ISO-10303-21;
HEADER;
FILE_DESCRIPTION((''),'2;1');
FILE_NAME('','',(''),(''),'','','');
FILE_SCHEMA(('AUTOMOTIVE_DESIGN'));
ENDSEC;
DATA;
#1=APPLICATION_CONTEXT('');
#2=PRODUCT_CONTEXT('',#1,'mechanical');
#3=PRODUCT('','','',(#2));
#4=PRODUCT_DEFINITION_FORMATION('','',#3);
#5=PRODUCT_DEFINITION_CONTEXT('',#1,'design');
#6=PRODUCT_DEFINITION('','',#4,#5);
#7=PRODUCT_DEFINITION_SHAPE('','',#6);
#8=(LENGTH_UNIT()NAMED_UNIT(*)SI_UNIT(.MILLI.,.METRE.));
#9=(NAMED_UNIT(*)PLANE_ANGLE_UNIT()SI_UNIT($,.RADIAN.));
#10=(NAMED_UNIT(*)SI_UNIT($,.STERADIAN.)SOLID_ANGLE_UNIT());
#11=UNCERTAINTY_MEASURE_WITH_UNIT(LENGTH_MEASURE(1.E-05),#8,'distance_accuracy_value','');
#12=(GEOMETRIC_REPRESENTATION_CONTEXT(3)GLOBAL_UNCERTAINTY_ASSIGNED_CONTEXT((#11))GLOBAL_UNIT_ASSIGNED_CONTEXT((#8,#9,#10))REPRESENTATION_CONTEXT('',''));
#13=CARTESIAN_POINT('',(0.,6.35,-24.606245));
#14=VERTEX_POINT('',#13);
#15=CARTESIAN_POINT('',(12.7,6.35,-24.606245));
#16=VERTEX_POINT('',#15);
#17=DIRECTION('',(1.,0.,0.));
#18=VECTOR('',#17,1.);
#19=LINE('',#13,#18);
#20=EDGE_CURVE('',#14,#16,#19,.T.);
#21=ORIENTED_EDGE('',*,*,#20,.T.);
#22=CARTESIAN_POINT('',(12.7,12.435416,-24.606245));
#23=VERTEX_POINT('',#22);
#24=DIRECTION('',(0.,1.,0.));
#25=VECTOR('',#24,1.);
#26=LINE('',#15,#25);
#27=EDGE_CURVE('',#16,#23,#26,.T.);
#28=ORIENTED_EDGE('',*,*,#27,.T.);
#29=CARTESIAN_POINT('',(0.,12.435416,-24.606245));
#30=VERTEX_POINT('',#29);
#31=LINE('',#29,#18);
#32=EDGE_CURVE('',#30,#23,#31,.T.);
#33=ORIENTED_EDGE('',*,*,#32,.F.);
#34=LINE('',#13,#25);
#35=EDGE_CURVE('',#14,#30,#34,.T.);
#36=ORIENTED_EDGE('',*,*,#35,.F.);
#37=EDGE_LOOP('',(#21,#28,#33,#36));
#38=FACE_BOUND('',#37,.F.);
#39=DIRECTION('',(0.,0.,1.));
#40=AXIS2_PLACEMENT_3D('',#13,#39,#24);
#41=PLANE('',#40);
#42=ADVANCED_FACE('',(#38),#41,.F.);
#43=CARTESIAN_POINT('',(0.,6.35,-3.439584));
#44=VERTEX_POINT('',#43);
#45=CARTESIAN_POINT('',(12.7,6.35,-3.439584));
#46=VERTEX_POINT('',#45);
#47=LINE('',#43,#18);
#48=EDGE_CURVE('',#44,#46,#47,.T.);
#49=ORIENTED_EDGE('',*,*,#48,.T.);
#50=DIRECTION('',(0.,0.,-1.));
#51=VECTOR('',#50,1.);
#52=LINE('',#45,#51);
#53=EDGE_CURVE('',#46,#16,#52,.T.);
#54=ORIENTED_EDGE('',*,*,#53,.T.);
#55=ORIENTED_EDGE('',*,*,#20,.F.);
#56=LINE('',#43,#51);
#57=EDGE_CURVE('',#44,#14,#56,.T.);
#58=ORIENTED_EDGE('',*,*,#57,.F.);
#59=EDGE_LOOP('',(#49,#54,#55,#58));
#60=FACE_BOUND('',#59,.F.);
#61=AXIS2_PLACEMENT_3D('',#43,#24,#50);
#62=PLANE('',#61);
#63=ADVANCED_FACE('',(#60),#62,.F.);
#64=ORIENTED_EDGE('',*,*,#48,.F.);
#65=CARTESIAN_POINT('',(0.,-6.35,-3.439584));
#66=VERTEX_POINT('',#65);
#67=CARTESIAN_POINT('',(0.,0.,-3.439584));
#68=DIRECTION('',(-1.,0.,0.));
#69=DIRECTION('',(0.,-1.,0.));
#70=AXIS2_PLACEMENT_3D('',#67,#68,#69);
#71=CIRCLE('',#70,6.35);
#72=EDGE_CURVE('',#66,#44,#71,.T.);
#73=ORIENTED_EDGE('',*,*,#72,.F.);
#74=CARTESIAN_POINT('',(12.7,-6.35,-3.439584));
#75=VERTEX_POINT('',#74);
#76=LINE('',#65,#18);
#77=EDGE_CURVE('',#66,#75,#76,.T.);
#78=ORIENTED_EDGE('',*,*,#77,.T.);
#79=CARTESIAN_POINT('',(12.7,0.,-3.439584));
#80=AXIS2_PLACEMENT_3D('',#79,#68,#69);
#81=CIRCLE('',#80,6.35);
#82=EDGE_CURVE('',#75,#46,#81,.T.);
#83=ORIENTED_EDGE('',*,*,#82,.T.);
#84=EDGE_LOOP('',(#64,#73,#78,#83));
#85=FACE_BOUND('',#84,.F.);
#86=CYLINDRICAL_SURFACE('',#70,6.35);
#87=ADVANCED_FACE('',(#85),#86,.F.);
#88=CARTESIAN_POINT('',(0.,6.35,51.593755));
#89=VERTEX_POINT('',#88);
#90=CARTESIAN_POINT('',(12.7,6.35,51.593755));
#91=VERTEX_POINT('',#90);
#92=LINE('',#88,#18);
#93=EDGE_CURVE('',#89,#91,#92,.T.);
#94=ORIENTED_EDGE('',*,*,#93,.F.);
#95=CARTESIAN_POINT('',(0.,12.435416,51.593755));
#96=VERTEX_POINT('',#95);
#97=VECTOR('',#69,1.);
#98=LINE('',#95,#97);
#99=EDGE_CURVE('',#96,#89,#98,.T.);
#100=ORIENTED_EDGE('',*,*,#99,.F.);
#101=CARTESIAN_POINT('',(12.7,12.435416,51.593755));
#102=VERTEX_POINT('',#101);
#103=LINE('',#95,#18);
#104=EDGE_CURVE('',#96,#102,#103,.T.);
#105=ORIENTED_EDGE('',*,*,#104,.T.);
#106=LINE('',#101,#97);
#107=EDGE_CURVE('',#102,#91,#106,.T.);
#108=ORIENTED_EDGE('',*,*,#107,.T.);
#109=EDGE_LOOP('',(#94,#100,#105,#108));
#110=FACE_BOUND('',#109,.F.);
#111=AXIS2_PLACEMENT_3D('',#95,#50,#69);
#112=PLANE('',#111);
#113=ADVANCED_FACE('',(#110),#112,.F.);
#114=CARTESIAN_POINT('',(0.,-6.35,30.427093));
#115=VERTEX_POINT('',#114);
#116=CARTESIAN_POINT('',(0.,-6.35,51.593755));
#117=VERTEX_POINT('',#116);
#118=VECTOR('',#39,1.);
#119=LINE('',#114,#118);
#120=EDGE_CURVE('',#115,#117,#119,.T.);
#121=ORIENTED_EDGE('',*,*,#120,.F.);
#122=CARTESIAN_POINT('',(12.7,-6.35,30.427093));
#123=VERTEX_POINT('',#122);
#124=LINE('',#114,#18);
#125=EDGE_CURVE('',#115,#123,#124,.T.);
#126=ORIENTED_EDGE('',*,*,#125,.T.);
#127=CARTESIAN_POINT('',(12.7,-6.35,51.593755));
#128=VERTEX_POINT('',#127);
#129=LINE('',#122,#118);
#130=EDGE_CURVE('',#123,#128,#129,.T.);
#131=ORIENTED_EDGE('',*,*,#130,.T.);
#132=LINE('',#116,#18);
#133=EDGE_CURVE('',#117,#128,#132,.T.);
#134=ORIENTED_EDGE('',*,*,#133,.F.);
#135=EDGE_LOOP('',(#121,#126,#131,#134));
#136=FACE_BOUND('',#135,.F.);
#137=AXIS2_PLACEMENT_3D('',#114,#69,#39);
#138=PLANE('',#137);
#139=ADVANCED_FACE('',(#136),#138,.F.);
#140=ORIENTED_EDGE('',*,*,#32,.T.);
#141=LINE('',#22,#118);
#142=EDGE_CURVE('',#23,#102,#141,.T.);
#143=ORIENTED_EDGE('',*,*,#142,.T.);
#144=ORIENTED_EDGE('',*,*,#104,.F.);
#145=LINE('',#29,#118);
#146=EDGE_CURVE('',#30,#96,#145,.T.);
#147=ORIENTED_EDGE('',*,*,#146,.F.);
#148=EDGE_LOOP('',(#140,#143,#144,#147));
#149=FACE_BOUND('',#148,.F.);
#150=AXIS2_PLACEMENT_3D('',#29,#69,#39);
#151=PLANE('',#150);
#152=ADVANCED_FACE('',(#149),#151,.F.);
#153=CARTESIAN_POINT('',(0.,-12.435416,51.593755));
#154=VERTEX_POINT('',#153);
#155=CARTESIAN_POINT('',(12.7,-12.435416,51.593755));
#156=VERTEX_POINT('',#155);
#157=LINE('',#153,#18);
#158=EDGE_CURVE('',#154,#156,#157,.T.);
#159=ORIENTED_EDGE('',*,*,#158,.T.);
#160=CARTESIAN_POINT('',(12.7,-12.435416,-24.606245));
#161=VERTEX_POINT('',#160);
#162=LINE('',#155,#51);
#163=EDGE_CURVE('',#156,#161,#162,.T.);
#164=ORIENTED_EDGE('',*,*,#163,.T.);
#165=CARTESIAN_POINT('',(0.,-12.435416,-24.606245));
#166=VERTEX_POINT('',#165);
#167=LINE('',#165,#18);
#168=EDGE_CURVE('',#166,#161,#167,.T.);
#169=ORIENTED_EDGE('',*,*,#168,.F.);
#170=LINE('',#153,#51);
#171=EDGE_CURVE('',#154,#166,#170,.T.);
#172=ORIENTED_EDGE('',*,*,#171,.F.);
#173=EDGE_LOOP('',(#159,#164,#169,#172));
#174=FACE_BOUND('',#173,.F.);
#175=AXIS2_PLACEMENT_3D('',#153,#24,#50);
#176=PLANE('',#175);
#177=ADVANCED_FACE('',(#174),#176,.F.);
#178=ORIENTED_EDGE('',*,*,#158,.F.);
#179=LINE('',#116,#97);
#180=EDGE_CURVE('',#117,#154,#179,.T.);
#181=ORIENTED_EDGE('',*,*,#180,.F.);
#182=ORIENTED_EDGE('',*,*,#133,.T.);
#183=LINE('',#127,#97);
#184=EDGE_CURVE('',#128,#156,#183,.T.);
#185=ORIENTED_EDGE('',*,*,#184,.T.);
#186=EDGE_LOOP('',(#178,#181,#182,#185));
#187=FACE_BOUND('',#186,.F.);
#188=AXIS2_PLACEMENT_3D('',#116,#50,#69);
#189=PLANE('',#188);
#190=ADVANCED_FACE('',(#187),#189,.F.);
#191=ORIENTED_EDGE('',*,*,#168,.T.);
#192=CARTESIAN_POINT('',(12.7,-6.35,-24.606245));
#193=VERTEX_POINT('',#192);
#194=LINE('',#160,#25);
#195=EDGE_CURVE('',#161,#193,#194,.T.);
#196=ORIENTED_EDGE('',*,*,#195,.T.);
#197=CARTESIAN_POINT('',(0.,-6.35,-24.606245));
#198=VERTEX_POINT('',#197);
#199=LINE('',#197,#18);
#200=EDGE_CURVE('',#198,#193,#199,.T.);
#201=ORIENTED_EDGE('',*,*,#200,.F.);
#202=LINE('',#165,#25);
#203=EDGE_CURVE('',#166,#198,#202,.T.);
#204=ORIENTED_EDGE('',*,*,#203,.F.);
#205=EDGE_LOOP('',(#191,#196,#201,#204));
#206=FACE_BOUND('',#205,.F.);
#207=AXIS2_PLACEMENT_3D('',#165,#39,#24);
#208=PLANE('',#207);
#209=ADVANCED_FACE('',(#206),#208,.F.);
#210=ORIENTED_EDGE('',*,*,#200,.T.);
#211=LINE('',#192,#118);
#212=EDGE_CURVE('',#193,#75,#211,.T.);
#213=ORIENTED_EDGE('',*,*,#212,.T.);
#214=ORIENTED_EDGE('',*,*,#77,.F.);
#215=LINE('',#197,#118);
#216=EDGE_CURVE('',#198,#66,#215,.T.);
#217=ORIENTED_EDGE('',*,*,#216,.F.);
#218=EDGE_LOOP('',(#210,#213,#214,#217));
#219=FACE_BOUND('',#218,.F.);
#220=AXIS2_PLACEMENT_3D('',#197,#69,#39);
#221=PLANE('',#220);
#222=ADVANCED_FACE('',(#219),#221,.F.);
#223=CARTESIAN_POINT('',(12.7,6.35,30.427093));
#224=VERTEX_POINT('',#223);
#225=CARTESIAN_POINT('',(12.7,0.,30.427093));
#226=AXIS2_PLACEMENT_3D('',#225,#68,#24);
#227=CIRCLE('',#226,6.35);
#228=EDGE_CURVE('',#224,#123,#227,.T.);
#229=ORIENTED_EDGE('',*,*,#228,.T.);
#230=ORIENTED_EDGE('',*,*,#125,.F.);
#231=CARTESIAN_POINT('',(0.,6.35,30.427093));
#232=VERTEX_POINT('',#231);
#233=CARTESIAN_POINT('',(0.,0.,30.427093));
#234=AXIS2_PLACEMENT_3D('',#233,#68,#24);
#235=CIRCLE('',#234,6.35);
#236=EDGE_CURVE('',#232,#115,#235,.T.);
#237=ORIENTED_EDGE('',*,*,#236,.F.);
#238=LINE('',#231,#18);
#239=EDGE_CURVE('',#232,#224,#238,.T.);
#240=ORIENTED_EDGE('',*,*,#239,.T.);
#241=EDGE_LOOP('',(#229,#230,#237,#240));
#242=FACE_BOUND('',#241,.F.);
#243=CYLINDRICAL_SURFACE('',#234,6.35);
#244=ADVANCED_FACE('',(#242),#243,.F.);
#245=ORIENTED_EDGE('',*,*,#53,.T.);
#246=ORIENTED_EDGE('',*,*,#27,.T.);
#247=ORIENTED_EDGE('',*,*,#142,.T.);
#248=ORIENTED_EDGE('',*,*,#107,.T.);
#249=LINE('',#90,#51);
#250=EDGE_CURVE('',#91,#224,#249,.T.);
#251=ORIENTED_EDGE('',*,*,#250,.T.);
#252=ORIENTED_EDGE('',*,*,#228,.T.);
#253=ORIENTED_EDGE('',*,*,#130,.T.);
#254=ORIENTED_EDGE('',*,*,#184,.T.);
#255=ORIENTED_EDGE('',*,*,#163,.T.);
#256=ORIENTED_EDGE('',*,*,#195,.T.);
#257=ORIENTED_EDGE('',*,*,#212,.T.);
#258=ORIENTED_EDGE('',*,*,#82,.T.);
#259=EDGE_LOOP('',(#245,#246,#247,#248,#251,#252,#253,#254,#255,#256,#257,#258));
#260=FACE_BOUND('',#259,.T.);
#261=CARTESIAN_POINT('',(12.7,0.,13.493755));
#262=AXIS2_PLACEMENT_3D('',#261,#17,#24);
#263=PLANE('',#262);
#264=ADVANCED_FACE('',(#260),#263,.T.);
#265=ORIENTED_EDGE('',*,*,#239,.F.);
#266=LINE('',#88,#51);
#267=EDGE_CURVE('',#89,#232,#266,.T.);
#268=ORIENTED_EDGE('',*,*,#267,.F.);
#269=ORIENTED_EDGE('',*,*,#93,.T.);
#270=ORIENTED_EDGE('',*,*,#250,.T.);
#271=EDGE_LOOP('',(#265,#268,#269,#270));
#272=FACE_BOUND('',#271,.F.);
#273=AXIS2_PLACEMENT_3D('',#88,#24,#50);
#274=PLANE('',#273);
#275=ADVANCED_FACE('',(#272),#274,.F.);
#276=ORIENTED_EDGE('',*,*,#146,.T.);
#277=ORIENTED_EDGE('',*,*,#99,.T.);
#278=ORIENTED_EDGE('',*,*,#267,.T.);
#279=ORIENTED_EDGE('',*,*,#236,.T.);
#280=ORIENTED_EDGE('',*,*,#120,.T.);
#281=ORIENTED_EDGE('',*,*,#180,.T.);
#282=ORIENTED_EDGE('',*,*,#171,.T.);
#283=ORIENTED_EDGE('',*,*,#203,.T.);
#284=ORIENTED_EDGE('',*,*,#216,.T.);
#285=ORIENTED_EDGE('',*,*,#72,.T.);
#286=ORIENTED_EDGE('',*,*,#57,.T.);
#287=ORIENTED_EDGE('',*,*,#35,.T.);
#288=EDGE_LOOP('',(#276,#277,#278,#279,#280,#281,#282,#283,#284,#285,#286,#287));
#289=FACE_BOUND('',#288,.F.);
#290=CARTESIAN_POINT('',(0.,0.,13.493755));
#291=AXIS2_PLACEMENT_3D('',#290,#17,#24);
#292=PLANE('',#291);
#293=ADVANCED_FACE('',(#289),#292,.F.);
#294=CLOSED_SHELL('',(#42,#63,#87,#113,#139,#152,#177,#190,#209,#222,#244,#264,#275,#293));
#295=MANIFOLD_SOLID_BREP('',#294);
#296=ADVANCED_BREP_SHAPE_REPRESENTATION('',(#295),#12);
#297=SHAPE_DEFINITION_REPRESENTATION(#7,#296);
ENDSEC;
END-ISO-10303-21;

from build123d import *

# Parameters (mm, degrees)
F1_DEPTH = 12.7


with BuildPart() as f1:
    # F0 (on Right) → F1 (new body)
    with BuildSketch(Plane.YZ):
        with BuildLine():
            Line((6.35, -24.606245), (12.435416, -24.606245))
            Line((12.435416, -24.606245), (12.435416, 51.593755))
            Line((12.435416, 51.593755), (6.35, 51.593755))
            Line((6.35, 51.593755), (6.35, 30.427093))
            ThreePointArc((6.35, 30.427093), (0, 24.077093), (-6.35, 30.427093))
            Line((-6.35, 30.427093), (-6.35, 51.593755))
            Line((-6.35, 51.593755), (-12.435416, 51.593755))
            Line((-12.435416, 51.593755), (-12.435416, -24.606245))
            Line((-12.435416, -24.606245), (-6.35, -24.606245))
            Line((-6.35, -24.606245), (-6.35, -3.439584))
            ThreePointArc((-6.35, -3.439584), (0, 2.910416), (6.35, -3.439584))
            Line((6.35, -3.439584), (6.35, -24.606245))
        make_face()
    extrude(amount=F1_DEPTH)


solid = f1.part
